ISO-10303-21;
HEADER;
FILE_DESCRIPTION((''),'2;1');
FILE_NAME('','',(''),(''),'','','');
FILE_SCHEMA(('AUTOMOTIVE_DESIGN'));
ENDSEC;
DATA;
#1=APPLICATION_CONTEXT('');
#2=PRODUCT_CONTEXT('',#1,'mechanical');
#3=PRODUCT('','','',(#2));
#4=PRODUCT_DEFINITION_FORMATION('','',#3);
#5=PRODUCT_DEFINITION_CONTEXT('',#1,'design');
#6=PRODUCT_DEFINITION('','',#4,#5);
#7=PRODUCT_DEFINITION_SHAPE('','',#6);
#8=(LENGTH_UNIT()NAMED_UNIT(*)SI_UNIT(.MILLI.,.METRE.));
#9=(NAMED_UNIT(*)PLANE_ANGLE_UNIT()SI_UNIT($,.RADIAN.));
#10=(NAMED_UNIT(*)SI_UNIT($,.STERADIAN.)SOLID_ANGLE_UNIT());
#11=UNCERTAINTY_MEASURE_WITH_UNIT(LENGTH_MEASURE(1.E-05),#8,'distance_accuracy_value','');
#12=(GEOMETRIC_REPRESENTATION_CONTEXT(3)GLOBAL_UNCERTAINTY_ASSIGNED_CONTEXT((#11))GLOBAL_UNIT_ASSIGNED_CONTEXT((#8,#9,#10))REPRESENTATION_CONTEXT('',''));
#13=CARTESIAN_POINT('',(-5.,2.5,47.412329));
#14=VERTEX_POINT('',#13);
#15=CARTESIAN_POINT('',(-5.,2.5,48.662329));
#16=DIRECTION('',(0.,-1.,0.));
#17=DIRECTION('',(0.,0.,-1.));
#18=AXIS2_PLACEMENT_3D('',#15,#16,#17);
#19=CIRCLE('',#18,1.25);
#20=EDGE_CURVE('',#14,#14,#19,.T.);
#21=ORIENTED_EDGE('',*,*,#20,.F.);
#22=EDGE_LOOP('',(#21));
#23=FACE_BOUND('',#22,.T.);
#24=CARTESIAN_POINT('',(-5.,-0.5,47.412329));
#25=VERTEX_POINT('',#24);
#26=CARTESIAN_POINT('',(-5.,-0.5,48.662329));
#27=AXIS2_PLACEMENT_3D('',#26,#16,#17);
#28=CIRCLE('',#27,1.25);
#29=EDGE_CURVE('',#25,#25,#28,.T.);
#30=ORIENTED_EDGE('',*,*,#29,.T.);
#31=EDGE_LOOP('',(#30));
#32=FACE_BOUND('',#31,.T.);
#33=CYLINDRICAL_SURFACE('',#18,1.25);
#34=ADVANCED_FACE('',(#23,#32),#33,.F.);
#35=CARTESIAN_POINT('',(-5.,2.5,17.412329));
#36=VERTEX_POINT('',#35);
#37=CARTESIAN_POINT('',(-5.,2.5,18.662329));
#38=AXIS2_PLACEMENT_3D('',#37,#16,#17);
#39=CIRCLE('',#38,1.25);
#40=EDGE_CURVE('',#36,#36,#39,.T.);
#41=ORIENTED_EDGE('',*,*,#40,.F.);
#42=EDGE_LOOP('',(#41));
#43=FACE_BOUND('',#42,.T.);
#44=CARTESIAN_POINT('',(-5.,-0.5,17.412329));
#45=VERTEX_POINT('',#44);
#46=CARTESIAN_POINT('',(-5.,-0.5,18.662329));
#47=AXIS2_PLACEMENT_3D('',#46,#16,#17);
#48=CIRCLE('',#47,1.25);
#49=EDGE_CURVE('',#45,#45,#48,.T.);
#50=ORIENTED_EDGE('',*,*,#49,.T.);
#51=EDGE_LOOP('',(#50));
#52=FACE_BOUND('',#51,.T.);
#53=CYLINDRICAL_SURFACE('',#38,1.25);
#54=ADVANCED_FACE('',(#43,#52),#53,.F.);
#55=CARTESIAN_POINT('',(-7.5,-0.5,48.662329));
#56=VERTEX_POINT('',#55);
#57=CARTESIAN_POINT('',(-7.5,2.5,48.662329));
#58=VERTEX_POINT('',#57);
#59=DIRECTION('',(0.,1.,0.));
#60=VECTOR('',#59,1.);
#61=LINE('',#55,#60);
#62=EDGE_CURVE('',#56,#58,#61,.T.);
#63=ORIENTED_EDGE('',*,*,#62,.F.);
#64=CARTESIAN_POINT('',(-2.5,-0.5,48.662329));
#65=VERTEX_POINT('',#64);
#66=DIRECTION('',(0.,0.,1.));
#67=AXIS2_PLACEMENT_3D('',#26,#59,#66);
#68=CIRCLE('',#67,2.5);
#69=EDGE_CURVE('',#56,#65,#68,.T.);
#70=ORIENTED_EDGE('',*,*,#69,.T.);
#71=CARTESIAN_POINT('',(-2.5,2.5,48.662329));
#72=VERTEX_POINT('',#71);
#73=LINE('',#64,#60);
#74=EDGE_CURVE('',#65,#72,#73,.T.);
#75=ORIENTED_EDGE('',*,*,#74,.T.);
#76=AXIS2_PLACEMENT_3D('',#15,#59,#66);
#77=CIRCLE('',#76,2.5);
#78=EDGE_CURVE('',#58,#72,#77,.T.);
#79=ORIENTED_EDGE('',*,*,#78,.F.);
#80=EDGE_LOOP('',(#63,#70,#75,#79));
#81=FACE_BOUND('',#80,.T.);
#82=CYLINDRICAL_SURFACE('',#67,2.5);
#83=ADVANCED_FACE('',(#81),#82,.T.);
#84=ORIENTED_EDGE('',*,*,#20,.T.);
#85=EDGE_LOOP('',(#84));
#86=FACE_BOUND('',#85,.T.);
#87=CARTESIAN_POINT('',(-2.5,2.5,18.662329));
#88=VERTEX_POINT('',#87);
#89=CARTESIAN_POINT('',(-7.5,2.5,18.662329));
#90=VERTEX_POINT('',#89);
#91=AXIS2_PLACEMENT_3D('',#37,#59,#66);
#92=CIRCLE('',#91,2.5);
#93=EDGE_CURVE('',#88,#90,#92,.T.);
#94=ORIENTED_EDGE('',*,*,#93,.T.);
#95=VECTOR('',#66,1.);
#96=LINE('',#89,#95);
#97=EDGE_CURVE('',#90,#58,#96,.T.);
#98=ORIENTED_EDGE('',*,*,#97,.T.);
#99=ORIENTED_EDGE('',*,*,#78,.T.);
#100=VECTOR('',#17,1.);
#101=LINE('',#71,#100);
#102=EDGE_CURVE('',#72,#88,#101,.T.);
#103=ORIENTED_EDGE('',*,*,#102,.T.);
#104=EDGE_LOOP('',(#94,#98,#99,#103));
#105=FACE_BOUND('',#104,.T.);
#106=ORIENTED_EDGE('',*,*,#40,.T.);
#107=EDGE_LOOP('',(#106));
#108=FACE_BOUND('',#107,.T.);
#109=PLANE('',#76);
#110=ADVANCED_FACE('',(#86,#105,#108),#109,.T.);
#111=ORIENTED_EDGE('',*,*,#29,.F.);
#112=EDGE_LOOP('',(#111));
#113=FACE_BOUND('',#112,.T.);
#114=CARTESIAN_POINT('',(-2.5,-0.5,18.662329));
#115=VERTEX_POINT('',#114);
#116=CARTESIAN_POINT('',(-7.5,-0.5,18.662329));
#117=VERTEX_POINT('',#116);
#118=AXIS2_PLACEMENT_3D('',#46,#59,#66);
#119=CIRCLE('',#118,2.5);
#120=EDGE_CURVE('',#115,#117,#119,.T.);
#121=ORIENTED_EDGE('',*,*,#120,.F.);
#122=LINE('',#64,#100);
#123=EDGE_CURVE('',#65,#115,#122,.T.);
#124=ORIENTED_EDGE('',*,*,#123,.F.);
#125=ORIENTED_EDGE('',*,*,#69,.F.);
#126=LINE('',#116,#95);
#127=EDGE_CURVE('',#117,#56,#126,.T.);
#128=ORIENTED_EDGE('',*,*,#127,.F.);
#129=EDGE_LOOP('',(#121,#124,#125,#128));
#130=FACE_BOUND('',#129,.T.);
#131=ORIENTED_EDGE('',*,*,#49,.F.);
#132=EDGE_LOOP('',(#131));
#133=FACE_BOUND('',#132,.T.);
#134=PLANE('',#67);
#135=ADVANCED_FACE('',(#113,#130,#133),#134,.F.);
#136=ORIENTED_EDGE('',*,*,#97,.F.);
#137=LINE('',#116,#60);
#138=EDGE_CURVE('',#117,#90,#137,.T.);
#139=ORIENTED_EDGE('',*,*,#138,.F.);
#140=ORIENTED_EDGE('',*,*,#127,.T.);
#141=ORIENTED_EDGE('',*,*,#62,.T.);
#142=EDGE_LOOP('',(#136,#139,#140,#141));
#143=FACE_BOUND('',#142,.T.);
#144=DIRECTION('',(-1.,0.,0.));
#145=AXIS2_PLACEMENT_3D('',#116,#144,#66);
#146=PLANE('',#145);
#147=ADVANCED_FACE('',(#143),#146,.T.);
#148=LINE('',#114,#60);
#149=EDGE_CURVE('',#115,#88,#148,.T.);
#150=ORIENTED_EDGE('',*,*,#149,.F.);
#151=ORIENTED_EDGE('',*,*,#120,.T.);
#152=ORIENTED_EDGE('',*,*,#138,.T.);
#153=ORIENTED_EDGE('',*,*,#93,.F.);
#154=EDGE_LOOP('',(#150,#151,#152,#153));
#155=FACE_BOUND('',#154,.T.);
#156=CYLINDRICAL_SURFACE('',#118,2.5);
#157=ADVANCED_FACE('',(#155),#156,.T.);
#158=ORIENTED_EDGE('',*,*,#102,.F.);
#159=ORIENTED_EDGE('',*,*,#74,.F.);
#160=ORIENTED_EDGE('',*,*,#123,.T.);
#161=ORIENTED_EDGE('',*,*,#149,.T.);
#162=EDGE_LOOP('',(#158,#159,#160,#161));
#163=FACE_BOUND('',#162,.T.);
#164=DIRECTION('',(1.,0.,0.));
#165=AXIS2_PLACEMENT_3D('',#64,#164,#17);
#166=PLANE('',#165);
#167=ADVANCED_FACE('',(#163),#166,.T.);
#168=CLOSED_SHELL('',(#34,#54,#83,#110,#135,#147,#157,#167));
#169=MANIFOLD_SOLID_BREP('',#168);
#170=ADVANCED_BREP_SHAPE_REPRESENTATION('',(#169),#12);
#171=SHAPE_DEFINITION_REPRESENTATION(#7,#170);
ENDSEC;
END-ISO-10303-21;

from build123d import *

# Parameters (mm, degrees)
SKETCH1_R           = 1
BOSS_EXTRUDE1_DEPTH = 3
SKETCH2_R           = 1.25
CUT_EXTRUDE1_DEPTH  = 4
SKETCH3_R           = 1.25
CUT_EXTRUDE2_DEPTH  = 4


with BuildPart() as part:
    # Sketch1 → Boss-Extrude1 (new body)
    with BuildSketch(Plane(origin=(0, 2.5, 0), x_dir=(1, 0, 0), z_dir=(0, 1, 0))):
        with BuildLine():
            Line((-2.5, -48.662329453), (-2.5, -18.662329453))
            ThreePointArc((-2.5, -18.662329453), (-5, -16.162329453), (-7.5, -18.662329453))
            Line((-7.5, -18.662329453), (-7.5, -48.662329453))
            ThreePointArc((-7.5, -48.662329453), (-5, -51.162329453), (-2.5, -48.662329453))
        make_face()
        with Locations((-5, -48.662329453)):
            Circle(SKETCH1_R, mode=Mode.SUBTRACT)
        with Locations((-5, -18.662329453)):
            Circle(SKETCH1_R, mode=Mode.SUBTRACT)
    extrude(amount=-BOSS_EXTRUDE1_DEPTH)

    # Sketch2 → Cut-Extrude1 (cut, through all)
    with BuildSketch(Plane.XZ.offset(0.5)):
        with Locations((-5, 18.662329453)):
            Circle(SKETCH2_R)
    extrude(amount=-CUT_EXTRUDE1_DEPTH, mode=Mode.SUBTRACT)

    # Sketch3 → Cut-Extrude2 (cut, through all)
    with BuildSketch(Plane.XZ.offset(0.5)):
        with Locations((-5, 48.662329453)):
            Circle(SKETCH3_R)
    extrude(amount=-CUT_EXTRUDE2_DEPTH, mode=Mode.SUBTRACT)


solid = part.part
